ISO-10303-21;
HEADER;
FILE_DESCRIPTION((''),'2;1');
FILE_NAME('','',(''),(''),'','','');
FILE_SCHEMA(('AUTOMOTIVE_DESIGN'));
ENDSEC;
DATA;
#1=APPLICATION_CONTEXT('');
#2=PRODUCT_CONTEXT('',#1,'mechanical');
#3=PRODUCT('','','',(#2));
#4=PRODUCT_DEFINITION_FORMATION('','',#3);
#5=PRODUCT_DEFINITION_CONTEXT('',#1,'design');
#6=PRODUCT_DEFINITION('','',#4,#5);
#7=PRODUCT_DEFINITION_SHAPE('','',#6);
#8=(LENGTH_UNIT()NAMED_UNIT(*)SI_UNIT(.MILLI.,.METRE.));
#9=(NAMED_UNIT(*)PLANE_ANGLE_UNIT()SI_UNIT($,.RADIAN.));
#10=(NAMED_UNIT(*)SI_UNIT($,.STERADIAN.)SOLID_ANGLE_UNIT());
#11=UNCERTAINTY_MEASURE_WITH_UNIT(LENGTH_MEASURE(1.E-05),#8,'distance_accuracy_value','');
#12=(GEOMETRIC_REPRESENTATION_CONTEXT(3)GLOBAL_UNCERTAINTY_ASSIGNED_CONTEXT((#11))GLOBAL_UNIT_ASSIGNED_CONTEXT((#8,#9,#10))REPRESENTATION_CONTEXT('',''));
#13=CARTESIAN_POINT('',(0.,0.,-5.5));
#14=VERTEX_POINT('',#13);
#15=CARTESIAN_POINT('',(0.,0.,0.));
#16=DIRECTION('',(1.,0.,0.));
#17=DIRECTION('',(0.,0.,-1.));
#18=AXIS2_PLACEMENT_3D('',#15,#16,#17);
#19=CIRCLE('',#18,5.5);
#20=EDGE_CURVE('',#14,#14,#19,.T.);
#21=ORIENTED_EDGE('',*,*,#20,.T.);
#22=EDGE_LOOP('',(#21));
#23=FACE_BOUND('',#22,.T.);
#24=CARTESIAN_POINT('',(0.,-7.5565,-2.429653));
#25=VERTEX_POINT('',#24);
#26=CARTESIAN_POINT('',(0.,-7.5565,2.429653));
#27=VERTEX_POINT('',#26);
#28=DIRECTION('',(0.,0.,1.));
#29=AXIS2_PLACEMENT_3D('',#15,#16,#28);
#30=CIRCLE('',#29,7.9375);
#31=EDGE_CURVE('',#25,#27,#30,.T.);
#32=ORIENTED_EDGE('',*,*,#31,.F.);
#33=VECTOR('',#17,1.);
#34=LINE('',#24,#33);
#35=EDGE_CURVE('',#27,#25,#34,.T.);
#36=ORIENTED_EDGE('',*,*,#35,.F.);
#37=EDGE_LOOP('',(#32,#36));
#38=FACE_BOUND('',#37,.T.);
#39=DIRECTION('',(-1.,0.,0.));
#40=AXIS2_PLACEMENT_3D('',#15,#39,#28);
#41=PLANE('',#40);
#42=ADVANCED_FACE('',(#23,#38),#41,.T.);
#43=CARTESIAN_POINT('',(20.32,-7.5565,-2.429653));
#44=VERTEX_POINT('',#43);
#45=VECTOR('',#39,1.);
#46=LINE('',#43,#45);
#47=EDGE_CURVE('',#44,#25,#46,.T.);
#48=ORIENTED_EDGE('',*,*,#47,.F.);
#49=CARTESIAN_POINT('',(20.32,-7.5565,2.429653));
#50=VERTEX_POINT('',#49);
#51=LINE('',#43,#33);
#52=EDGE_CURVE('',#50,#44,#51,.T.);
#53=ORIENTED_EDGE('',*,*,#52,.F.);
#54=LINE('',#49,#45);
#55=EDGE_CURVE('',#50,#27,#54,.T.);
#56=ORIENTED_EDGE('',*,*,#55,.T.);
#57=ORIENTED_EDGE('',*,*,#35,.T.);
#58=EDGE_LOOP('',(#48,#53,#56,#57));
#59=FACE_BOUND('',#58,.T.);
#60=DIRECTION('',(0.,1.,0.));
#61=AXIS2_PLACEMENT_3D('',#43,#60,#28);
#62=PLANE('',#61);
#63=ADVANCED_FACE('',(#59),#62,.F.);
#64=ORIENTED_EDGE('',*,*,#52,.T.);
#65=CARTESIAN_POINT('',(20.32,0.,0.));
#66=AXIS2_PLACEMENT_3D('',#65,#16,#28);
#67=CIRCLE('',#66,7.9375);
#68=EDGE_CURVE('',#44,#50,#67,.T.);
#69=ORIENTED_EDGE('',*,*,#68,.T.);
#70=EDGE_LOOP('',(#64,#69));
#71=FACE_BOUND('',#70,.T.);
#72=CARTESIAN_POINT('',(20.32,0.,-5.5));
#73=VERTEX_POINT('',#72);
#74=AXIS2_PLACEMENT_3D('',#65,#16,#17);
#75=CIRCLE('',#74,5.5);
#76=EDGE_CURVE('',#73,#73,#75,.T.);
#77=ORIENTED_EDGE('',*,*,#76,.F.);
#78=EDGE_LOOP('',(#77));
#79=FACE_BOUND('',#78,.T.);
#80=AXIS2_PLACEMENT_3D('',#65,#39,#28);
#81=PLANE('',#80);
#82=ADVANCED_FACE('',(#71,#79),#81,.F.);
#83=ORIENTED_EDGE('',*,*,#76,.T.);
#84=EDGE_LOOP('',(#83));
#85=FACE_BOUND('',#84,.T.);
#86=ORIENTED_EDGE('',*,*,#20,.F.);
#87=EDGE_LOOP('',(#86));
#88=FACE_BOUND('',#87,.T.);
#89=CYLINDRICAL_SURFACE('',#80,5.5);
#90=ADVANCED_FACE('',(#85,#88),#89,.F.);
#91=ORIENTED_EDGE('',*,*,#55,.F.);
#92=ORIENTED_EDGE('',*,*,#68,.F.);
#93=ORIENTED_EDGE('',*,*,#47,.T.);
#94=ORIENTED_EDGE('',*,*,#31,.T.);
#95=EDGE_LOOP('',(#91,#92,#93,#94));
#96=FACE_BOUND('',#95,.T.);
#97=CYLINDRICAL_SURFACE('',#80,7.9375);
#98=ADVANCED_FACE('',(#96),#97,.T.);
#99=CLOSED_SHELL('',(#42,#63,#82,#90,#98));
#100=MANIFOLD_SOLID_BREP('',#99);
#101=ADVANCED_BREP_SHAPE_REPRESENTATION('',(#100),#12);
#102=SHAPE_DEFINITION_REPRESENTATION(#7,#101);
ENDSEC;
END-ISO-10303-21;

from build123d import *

# Parameters (mm, degrees)
SKETCH1_R           = 5.500000049
BOSS_EXTRUDE1_DEPTH = 20.32


with BuildPart() as part:
    # Sketch1 → Boss-Extrude1 (new body)
    with BuildSketch(Plane.YZ):
        with BuildLine():
            Line((-7.5565, -2.429653062), (-7.5565, 2.429653062))
            ThreePointArc((-7.5565, 2.429653062), (7.9375, 0), (-7.5565, -2.429653062))
        make_face()
        with Locations(Location((0, 0, 0), (0, 0, 270))):
            Circle(SKETCH1_R, mode=Mode.SUBTRACT)
    extrude(amount=BOSS_EXTRUDE1_DEPTH)


solid = part.part
